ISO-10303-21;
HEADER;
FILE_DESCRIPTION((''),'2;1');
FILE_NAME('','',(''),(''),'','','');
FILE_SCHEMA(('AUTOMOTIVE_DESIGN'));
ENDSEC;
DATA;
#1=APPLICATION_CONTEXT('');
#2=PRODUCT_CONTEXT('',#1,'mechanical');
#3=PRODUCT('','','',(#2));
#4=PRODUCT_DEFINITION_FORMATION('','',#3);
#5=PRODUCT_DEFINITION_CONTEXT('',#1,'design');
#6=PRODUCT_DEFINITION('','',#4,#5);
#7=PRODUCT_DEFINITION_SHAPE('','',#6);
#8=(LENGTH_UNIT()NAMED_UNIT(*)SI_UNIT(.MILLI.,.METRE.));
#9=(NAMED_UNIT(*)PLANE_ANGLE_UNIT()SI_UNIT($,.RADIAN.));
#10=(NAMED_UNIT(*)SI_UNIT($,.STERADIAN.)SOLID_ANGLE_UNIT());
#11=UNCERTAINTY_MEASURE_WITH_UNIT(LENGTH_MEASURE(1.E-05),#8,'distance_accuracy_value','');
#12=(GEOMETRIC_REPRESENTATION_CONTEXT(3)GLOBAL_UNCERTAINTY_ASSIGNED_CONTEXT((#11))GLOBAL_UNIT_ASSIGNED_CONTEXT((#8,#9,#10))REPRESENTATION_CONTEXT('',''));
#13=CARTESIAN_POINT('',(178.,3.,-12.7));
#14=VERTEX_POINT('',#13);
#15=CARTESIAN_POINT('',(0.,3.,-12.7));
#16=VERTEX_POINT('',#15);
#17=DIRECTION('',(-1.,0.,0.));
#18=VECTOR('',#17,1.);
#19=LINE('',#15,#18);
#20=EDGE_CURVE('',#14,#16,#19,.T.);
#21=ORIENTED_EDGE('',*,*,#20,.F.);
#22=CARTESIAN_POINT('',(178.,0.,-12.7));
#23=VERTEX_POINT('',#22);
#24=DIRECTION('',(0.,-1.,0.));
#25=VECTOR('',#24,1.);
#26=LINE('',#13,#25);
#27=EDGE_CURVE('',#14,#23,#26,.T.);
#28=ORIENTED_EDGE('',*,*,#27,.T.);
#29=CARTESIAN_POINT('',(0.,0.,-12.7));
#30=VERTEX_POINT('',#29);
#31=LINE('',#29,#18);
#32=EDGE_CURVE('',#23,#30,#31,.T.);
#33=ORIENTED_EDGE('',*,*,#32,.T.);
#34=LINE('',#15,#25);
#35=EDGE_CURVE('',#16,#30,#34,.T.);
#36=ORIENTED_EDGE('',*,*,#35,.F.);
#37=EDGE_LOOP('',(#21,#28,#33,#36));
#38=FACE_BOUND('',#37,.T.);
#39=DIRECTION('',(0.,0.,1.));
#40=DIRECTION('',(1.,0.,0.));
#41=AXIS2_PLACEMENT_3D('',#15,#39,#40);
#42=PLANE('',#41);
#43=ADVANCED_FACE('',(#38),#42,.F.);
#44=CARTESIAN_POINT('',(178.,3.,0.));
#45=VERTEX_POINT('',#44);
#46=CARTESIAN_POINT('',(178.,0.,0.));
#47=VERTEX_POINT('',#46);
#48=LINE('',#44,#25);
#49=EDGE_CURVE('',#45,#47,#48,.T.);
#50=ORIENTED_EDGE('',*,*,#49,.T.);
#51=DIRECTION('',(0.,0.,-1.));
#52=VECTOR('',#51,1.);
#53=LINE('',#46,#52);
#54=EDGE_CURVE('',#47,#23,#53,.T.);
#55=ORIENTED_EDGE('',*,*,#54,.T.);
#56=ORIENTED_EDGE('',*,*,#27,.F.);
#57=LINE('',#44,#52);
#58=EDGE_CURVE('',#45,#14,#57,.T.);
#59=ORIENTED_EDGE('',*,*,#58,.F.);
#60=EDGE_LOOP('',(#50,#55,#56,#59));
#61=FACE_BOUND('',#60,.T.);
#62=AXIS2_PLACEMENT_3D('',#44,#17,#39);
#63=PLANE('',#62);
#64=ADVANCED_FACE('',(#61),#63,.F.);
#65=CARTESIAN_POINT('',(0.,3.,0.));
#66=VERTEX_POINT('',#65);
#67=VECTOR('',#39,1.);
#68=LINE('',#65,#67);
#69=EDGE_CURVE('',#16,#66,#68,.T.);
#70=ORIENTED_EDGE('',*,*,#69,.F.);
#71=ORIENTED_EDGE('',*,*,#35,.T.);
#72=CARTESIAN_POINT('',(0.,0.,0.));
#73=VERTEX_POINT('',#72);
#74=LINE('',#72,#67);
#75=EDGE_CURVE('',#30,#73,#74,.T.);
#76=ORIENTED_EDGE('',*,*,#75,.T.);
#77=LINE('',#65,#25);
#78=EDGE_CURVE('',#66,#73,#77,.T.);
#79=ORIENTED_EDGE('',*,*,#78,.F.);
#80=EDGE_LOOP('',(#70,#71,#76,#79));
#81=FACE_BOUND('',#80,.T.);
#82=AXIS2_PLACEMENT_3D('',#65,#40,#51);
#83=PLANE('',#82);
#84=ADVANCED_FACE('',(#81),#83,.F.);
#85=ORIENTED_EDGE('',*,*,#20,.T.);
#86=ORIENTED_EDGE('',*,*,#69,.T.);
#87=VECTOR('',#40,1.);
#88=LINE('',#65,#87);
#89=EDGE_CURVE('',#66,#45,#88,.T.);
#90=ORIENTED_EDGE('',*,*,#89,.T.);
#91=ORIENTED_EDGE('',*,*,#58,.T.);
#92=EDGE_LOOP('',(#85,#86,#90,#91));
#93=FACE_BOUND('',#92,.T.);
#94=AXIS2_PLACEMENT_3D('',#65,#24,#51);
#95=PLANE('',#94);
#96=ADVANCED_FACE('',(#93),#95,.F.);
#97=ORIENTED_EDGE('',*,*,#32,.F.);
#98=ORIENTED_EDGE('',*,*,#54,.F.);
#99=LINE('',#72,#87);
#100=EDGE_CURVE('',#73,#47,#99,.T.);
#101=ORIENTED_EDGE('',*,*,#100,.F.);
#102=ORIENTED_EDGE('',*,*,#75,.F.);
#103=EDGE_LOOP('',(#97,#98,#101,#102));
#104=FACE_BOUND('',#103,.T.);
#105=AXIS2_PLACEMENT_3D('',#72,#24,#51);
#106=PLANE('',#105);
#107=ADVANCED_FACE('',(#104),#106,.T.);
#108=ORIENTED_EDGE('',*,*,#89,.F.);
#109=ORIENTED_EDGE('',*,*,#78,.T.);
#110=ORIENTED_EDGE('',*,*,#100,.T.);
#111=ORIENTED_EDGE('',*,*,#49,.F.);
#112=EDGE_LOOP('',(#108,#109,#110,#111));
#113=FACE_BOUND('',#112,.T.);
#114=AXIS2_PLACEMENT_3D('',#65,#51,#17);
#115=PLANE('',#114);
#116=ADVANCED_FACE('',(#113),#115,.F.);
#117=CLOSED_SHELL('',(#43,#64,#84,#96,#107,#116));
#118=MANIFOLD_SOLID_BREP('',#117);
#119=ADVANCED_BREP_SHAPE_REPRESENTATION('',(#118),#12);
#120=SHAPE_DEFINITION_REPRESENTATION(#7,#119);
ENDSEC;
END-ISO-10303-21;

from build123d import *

# Parameters (mm, degrees)
SKETCH1_W           = 178
SKETCH1_H           = 12.7
BOSS_EXTRUDE1_DEPTH = 3


with BuildPart() as part:
    # Sketch1 → Boss-Extrude1 (new body)
    with BuildSketch(Plane(origin=(0, 0, 0), x_dir=(1, 0, 0), z_dir=(0, 1, 0))):
        with Locations((89, 6.35)):
            Rectangle(SKETCH1_W, SKETCH1_H)
    extrude(amount=BOSS_EXTRUDE1_DEPTH)


solid = part.part
